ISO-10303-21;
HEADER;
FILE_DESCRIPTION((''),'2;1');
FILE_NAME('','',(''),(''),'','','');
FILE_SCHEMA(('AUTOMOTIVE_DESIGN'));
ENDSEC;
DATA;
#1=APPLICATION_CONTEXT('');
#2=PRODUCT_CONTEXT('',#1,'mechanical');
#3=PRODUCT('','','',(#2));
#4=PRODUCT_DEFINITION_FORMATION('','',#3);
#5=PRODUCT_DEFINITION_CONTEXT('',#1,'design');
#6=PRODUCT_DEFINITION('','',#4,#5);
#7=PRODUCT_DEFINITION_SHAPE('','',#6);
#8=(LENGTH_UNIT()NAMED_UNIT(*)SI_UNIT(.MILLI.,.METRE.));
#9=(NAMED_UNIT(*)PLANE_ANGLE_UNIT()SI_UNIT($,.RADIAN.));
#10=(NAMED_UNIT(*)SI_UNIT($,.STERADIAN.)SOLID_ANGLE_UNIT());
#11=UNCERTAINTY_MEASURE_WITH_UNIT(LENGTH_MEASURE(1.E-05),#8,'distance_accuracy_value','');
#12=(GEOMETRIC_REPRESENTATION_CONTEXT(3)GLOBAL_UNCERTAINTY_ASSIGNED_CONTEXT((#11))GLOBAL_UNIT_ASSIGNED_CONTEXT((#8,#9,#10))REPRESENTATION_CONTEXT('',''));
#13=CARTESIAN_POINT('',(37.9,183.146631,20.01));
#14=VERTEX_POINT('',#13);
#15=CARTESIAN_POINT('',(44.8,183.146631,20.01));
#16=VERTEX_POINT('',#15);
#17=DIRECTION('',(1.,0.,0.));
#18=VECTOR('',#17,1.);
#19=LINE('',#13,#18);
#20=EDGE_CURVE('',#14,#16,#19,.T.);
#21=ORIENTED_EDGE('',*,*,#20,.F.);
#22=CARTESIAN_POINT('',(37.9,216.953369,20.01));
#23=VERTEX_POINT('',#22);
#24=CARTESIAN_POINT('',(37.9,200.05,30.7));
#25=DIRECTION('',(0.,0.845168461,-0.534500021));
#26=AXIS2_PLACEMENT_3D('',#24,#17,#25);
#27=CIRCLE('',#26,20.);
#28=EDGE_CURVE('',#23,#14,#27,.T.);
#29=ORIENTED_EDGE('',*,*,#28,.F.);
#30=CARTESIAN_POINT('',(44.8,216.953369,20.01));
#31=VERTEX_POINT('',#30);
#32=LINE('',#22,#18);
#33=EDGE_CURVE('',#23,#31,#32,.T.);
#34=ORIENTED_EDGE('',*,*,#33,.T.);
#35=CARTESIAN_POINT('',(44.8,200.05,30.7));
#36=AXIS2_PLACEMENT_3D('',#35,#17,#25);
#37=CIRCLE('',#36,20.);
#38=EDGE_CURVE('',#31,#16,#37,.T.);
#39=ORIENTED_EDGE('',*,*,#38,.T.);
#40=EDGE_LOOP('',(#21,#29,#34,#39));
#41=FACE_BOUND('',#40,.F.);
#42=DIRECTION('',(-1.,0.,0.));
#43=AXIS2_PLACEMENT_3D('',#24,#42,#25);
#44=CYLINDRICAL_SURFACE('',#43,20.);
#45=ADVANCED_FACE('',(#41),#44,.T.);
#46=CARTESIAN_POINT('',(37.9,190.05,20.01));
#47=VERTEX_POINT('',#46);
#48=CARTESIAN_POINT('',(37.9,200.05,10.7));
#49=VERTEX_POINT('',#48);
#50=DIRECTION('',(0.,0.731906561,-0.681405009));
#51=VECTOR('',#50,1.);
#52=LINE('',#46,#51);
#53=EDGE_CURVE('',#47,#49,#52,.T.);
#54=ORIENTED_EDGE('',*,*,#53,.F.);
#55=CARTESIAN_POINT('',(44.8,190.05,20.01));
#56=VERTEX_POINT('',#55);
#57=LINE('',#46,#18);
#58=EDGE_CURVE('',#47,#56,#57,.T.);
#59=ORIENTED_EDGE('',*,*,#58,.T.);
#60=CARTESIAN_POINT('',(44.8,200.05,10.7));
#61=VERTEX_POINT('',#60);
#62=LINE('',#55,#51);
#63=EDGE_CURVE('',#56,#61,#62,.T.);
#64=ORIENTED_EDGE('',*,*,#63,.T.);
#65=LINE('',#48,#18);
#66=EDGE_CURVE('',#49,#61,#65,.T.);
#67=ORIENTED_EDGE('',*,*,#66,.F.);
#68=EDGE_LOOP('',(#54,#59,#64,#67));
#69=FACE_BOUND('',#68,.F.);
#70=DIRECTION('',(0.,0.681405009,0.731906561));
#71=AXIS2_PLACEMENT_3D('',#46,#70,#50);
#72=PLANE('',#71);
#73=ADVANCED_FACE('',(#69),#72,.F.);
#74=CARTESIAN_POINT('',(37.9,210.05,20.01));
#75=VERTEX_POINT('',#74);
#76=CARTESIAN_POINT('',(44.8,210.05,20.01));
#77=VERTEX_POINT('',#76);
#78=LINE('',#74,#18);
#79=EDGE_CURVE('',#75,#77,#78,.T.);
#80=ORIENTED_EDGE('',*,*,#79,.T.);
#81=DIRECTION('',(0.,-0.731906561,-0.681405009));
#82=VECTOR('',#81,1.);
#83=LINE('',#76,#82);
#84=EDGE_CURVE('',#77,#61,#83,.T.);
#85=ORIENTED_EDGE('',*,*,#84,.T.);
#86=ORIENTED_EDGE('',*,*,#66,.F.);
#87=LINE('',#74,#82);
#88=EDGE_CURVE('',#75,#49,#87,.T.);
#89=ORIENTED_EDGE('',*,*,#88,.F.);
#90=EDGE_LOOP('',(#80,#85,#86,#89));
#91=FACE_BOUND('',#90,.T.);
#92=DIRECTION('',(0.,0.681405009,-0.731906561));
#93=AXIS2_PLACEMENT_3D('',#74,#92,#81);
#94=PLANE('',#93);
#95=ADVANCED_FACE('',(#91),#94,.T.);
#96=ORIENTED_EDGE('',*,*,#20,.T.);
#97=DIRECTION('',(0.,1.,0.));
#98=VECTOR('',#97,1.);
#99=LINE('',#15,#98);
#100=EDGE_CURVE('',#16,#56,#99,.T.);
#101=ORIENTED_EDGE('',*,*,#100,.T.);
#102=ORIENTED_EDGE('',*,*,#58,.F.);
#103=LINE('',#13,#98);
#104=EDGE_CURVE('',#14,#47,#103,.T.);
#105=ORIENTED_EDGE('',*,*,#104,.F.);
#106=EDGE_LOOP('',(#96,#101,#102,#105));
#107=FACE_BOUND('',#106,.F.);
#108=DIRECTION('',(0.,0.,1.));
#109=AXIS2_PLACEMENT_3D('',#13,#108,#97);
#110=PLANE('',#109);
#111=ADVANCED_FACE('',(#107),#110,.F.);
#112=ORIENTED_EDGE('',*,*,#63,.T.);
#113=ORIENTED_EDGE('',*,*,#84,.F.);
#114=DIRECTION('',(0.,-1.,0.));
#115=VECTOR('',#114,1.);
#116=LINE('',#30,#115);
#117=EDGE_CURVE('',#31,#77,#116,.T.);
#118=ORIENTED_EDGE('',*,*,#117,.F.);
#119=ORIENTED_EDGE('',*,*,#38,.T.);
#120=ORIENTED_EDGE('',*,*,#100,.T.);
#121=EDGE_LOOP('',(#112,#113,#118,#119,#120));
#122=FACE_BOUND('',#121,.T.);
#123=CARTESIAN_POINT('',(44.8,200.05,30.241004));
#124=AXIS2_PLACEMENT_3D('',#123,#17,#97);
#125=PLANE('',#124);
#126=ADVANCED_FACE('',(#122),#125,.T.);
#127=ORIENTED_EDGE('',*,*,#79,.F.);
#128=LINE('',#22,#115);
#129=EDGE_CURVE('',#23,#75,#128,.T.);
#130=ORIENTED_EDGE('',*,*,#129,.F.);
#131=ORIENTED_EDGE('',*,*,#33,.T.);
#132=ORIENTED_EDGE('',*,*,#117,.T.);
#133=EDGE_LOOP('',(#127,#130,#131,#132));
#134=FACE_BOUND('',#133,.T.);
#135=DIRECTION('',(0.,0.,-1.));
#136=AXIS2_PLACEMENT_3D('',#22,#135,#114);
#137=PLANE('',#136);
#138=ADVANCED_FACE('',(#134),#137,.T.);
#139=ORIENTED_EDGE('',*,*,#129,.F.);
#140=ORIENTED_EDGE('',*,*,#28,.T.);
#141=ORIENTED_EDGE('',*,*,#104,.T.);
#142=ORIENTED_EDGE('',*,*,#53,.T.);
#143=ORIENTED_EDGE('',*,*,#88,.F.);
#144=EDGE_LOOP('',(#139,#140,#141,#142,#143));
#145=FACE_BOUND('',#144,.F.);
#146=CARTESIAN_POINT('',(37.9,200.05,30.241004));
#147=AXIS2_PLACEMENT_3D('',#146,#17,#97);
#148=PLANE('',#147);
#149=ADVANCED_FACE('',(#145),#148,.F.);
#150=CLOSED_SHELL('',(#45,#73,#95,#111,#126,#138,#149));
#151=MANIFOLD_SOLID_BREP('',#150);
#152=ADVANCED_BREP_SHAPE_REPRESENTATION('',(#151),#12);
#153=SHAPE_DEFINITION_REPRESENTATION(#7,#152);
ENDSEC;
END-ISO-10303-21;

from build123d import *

# Parameters (mm, degrees)
PAD008_DEPTH = 6.9


with BuildPart() as part:
    # Sketch018 → Pad008 (new body)
    with BuildSketch(Plane.YZ.offset(37.9)):
        with BuildLine():
            ThreePointArc((216.953369, 20.01), (200.05, 50.7), (183.146631, 20.01))
            Line((183.146631, 20.01), (190.05, 20.01))
            Line((190.05, 20.01), (200.05, 10.7))
            Line((210.05, 20.01), (200.05, 10.7))
            Line((216.953369, 20.01), (210.05, 20.01))
        make_face()
    extrude(amount=PAD008_DEPTH)


solid = part.part
